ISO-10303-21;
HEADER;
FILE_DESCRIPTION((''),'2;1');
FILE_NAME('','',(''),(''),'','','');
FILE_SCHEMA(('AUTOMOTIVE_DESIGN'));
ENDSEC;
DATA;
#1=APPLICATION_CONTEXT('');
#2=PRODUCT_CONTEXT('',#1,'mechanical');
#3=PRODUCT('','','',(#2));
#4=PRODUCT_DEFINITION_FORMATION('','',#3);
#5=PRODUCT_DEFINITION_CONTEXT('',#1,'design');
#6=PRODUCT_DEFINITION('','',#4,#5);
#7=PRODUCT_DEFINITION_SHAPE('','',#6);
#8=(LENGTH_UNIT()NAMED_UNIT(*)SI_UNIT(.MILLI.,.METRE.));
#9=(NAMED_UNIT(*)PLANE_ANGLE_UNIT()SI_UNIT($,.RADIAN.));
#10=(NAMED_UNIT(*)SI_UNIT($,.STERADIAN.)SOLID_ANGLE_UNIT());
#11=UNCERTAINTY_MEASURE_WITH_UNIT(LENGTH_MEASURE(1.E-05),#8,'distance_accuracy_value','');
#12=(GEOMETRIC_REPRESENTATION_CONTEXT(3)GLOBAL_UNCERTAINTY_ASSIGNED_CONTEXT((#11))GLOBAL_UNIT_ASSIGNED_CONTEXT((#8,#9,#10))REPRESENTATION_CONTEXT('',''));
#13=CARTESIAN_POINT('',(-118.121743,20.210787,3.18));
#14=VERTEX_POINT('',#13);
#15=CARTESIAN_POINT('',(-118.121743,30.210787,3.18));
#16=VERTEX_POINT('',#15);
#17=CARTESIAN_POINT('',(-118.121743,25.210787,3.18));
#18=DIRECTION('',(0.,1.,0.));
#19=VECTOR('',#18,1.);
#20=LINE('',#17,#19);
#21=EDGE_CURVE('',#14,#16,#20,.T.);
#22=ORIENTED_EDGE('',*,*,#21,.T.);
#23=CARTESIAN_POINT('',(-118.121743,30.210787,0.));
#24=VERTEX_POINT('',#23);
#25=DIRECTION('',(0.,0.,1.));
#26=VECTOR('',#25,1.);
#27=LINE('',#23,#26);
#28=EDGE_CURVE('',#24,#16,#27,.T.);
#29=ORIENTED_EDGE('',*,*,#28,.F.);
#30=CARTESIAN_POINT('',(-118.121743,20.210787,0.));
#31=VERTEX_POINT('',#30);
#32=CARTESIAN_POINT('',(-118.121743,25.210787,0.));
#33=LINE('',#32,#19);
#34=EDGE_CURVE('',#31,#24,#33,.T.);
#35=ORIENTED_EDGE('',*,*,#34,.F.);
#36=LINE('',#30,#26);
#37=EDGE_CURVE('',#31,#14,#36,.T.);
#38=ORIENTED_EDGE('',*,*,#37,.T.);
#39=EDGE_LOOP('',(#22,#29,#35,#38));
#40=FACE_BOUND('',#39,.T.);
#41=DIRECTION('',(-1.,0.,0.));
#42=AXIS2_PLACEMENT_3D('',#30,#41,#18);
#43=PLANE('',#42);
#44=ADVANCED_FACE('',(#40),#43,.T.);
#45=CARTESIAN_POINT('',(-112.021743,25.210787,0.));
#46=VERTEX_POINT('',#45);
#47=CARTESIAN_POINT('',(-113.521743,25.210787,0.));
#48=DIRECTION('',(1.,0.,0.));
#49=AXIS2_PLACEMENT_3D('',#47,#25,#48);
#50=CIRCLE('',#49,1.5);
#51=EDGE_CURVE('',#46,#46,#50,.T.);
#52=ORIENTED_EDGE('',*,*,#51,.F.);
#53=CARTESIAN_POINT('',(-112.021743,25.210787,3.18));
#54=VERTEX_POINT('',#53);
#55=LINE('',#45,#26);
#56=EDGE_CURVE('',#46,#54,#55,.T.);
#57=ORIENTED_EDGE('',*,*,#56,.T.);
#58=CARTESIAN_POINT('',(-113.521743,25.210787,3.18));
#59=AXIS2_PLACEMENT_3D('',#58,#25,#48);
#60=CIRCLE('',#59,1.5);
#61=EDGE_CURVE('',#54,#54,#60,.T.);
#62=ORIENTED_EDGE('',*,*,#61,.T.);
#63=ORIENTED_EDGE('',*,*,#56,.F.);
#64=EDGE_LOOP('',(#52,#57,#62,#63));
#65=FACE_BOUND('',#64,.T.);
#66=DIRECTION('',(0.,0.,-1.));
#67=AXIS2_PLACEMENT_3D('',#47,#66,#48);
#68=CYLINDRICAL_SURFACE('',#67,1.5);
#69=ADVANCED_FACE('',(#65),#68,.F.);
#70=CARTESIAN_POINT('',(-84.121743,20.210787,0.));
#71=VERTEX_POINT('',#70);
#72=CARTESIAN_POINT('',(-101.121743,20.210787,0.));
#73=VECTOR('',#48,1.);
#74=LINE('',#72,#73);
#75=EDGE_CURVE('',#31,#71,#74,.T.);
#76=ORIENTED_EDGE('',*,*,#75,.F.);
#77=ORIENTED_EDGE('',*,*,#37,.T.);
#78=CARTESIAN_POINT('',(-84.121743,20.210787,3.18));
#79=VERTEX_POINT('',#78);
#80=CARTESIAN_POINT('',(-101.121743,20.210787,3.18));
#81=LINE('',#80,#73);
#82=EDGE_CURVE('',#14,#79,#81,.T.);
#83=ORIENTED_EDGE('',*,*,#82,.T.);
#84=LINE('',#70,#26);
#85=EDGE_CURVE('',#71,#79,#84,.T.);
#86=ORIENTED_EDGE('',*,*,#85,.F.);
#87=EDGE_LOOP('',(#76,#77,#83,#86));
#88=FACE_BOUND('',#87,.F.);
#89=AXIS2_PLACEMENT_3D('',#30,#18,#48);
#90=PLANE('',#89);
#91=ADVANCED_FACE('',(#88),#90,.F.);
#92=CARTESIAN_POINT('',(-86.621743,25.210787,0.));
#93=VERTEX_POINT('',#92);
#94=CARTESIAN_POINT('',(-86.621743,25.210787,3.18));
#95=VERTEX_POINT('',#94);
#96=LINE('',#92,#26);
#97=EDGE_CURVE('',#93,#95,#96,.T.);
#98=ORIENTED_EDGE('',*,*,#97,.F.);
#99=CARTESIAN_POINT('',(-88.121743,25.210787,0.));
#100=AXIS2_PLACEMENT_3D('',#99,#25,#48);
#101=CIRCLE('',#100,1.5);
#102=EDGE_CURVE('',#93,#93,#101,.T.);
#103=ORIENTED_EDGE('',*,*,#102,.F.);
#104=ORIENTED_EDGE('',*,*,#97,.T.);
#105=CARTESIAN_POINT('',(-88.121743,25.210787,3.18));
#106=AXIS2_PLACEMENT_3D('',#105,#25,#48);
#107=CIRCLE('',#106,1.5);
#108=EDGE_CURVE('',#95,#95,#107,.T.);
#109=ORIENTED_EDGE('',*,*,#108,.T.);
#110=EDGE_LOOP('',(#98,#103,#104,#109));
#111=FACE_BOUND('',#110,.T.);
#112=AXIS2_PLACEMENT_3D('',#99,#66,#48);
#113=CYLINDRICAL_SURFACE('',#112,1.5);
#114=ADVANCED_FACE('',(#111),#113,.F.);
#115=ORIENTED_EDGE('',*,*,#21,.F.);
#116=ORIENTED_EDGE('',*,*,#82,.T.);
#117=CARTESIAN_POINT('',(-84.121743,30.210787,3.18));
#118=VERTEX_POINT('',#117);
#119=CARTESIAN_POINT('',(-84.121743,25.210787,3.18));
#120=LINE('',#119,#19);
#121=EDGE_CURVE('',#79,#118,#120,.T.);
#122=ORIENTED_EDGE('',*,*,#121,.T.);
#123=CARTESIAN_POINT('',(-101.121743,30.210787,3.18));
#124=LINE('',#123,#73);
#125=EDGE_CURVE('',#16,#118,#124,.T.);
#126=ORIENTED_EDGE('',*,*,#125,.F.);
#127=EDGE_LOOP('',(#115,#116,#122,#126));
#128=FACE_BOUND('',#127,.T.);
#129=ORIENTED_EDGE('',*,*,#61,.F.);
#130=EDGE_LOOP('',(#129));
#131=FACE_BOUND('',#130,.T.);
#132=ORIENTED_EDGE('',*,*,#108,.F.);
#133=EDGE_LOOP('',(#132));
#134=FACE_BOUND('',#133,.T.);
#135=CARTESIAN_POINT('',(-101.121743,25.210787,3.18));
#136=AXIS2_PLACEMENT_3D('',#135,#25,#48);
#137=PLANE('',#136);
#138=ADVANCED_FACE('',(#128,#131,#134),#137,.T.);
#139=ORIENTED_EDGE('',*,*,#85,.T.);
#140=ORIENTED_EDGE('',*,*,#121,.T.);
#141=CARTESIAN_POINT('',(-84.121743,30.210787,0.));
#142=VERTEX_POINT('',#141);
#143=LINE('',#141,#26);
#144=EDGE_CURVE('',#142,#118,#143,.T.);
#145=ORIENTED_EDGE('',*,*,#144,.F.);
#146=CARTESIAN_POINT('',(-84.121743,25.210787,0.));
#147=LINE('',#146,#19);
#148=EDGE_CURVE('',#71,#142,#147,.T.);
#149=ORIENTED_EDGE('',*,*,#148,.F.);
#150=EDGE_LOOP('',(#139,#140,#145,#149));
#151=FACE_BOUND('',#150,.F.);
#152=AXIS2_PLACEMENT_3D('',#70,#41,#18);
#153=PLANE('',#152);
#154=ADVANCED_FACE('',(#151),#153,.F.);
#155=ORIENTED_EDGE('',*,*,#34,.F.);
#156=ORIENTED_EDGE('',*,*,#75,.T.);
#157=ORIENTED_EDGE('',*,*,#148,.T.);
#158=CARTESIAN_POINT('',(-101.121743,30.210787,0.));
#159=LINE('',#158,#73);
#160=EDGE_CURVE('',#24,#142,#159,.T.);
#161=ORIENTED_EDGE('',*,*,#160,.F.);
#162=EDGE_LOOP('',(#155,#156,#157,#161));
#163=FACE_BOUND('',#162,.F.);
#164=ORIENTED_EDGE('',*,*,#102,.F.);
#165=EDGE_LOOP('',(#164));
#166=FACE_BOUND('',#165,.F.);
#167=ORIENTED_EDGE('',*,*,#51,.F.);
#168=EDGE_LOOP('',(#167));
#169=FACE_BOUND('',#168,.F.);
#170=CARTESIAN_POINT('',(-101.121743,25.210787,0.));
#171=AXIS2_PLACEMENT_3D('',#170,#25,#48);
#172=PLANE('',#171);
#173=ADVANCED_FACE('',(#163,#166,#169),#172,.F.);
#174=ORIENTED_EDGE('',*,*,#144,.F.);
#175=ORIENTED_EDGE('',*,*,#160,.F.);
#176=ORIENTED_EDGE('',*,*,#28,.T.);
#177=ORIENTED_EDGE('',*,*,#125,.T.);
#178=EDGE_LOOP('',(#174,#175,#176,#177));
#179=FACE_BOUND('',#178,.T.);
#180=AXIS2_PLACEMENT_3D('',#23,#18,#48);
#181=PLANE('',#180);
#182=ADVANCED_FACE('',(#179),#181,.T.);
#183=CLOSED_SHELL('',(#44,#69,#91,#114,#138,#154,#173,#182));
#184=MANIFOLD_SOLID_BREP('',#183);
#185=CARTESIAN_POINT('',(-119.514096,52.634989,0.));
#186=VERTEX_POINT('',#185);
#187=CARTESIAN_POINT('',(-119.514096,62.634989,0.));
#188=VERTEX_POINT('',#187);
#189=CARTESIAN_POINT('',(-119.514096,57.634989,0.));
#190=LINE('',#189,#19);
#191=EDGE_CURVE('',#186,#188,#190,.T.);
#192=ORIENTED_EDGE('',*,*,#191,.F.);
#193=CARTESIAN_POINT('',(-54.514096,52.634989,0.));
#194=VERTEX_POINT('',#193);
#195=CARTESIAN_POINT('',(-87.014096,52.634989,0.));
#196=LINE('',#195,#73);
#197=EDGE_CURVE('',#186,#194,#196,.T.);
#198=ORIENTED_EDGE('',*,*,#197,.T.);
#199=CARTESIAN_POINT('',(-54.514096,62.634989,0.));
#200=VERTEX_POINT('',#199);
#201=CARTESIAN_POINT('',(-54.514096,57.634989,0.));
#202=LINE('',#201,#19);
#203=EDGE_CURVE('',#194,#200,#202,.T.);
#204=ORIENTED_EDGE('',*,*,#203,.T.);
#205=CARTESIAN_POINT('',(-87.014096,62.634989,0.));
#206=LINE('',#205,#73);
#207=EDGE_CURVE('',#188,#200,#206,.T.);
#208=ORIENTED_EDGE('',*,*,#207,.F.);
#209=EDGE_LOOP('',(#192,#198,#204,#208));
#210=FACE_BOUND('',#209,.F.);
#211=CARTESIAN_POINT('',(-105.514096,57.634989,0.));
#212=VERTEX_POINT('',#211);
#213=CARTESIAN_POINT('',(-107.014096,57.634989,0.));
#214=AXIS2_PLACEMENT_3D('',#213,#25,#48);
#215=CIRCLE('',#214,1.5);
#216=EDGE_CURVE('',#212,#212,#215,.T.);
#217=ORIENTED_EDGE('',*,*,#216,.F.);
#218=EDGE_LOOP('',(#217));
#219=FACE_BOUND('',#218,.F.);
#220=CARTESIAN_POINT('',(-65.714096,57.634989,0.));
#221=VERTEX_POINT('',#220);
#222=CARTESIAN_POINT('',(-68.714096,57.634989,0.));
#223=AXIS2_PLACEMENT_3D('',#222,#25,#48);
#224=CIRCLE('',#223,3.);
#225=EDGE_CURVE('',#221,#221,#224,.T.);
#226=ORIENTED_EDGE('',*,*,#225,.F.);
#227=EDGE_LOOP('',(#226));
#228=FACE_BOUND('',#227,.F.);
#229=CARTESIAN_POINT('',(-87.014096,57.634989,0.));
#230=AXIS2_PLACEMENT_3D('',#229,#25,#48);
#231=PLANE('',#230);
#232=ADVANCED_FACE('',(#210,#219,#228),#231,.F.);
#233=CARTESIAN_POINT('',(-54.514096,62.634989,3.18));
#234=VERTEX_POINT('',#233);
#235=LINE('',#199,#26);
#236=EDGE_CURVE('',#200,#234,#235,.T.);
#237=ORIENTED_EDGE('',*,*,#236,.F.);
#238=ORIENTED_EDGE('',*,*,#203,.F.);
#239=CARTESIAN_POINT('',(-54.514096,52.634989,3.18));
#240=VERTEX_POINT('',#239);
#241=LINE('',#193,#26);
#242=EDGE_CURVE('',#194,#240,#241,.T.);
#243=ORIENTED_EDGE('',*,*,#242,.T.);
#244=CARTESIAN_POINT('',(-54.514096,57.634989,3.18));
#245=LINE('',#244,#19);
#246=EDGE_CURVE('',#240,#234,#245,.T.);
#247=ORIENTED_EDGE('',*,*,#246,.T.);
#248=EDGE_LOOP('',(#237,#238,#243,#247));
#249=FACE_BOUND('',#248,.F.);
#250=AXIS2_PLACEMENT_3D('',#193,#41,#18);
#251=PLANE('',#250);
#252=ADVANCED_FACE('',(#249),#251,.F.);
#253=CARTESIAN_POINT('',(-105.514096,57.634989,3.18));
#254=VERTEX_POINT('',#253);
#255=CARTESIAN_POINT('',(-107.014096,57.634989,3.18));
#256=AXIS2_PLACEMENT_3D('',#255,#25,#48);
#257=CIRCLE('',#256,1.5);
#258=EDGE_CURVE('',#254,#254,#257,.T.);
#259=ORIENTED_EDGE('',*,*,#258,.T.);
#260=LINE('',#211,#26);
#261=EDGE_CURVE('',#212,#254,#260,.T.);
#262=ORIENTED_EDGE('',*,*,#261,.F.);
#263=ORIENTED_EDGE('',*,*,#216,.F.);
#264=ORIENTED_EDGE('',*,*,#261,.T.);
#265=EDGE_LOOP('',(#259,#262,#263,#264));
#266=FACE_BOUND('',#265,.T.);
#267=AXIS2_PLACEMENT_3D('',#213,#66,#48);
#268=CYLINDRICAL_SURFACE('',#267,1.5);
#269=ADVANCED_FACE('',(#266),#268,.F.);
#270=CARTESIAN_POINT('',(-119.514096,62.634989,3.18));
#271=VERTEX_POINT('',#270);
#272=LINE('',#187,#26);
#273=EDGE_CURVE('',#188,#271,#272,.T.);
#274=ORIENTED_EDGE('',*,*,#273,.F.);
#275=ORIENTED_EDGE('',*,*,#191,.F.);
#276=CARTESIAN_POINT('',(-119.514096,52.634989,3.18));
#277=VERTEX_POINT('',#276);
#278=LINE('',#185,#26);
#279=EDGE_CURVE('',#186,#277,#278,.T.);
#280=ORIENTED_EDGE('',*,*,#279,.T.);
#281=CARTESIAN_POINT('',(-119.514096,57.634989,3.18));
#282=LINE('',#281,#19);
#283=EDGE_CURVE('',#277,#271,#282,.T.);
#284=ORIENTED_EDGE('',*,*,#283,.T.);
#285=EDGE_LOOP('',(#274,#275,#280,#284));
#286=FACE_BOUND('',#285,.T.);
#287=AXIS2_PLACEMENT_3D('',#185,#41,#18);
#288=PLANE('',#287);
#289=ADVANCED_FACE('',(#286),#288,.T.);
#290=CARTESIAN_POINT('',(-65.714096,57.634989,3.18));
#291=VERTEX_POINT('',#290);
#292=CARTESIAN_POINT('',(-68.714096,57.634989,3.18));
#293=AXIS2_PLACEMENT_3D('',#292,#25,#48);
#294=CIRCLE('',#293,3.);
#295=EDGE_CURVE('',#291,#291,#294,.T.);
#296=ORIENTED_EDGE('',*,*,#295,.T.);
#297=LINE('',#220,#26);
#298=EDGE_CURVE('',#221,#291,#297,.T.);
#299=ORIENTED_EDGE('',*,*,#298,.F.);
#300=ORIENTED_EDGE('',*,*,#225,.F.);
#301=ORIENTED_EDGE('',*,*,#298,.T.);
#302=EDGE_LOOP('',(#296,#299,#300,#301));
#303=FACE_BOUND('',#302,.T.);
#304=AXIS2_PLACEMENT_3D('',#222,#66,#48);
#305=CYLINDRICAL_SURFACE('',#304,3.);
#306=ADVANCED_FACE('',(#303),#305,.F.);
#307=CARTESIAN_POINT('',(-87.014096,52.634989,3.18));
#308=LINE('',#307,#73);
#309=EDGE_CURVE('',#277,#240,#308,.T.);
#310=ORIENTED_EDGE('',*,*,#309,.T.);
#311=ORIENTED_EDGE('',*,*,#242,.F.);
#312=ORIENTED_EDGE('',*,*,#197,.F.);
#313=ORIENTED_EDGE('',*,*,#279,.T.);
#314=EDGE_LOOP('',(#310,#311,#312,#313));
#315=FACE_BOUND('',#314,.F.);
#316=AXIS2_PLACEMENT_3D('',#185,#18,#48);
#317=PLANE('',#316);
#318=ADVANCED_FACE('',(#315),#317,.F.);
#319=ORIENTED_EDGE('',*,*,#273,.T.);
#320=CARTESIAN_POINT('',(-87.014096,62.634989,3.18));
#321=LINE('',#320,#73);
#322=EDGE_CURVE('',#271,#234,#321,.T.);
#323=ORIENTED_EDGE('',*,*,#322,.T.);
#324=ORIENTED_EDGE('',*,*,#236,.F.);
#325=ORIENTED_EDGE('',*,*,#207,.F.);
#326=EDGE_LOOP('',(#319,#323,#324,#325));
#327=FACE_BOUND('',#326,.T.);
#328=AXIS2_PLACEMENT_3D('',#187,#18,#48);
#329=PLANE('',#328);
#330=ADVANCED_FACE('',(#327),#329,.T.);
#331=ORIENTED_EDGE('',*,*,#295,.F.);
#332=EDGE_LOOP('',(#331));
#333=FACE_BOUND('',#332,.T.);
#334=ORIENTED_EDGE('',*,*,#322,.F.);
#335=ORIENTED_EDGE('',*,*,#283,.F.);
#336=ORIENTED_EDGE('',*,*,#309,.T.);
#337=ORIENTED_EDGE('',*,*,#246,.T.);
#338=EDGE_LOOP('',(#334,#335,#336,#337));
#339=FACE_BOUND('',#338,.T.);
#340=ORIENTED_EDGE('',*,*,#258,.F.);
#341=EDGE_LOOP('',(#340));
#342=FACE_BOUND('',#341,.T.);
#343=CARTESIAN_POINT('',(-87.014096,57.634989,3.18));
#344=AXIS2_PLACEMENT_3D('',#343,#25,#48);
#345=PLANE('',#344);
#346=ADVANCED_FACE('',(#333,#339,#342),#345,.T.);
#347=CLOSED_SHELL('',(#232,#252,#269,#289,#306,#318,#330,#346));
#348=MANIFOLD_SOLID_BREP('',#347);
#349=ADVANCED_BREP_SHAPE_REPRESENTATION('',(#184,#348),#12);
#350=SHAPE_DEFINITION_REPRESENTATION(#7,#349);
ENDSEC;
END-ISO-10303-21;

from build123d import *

# Parameters (mm, degrees)
F0_W     = 65
F0_H     = 10
F0_R     = 1.5
F0_R_2   = 3
F0_W_2   = 34
F1_DEPTH = 3.18


with BuildPart() as f1:
    # F0 (on Top) → F1 (new body)
    with BuildSketch(Plane.XY):
        with Locations((-87.014096, 57.634989)):
            Rectangle(F0_W, F0_H)
        with Locations((-107.014096, 57.634989)):
            Circle(F0_R, mode=Mode.SUBTRACT)
        with Locations((-68.714096, 57.634989)):
            Circle(F0_R_2, mode=Mode.SUBTRACT)
        with Locations((-101.121743, 25.210787)):
            Rectangle(F0_W_2, F0_H)
        with Locations((-113.521743, 25.210787)):
            Circle(F0_R, mode=Mode.SUBTRACT)
        with Locations((-88.121743, 25.210787)):
            Circle(F0_R, mode=Mode.SUBTRACT)
    extrude(amount=F1_DEPTH)


solid = f1.part
